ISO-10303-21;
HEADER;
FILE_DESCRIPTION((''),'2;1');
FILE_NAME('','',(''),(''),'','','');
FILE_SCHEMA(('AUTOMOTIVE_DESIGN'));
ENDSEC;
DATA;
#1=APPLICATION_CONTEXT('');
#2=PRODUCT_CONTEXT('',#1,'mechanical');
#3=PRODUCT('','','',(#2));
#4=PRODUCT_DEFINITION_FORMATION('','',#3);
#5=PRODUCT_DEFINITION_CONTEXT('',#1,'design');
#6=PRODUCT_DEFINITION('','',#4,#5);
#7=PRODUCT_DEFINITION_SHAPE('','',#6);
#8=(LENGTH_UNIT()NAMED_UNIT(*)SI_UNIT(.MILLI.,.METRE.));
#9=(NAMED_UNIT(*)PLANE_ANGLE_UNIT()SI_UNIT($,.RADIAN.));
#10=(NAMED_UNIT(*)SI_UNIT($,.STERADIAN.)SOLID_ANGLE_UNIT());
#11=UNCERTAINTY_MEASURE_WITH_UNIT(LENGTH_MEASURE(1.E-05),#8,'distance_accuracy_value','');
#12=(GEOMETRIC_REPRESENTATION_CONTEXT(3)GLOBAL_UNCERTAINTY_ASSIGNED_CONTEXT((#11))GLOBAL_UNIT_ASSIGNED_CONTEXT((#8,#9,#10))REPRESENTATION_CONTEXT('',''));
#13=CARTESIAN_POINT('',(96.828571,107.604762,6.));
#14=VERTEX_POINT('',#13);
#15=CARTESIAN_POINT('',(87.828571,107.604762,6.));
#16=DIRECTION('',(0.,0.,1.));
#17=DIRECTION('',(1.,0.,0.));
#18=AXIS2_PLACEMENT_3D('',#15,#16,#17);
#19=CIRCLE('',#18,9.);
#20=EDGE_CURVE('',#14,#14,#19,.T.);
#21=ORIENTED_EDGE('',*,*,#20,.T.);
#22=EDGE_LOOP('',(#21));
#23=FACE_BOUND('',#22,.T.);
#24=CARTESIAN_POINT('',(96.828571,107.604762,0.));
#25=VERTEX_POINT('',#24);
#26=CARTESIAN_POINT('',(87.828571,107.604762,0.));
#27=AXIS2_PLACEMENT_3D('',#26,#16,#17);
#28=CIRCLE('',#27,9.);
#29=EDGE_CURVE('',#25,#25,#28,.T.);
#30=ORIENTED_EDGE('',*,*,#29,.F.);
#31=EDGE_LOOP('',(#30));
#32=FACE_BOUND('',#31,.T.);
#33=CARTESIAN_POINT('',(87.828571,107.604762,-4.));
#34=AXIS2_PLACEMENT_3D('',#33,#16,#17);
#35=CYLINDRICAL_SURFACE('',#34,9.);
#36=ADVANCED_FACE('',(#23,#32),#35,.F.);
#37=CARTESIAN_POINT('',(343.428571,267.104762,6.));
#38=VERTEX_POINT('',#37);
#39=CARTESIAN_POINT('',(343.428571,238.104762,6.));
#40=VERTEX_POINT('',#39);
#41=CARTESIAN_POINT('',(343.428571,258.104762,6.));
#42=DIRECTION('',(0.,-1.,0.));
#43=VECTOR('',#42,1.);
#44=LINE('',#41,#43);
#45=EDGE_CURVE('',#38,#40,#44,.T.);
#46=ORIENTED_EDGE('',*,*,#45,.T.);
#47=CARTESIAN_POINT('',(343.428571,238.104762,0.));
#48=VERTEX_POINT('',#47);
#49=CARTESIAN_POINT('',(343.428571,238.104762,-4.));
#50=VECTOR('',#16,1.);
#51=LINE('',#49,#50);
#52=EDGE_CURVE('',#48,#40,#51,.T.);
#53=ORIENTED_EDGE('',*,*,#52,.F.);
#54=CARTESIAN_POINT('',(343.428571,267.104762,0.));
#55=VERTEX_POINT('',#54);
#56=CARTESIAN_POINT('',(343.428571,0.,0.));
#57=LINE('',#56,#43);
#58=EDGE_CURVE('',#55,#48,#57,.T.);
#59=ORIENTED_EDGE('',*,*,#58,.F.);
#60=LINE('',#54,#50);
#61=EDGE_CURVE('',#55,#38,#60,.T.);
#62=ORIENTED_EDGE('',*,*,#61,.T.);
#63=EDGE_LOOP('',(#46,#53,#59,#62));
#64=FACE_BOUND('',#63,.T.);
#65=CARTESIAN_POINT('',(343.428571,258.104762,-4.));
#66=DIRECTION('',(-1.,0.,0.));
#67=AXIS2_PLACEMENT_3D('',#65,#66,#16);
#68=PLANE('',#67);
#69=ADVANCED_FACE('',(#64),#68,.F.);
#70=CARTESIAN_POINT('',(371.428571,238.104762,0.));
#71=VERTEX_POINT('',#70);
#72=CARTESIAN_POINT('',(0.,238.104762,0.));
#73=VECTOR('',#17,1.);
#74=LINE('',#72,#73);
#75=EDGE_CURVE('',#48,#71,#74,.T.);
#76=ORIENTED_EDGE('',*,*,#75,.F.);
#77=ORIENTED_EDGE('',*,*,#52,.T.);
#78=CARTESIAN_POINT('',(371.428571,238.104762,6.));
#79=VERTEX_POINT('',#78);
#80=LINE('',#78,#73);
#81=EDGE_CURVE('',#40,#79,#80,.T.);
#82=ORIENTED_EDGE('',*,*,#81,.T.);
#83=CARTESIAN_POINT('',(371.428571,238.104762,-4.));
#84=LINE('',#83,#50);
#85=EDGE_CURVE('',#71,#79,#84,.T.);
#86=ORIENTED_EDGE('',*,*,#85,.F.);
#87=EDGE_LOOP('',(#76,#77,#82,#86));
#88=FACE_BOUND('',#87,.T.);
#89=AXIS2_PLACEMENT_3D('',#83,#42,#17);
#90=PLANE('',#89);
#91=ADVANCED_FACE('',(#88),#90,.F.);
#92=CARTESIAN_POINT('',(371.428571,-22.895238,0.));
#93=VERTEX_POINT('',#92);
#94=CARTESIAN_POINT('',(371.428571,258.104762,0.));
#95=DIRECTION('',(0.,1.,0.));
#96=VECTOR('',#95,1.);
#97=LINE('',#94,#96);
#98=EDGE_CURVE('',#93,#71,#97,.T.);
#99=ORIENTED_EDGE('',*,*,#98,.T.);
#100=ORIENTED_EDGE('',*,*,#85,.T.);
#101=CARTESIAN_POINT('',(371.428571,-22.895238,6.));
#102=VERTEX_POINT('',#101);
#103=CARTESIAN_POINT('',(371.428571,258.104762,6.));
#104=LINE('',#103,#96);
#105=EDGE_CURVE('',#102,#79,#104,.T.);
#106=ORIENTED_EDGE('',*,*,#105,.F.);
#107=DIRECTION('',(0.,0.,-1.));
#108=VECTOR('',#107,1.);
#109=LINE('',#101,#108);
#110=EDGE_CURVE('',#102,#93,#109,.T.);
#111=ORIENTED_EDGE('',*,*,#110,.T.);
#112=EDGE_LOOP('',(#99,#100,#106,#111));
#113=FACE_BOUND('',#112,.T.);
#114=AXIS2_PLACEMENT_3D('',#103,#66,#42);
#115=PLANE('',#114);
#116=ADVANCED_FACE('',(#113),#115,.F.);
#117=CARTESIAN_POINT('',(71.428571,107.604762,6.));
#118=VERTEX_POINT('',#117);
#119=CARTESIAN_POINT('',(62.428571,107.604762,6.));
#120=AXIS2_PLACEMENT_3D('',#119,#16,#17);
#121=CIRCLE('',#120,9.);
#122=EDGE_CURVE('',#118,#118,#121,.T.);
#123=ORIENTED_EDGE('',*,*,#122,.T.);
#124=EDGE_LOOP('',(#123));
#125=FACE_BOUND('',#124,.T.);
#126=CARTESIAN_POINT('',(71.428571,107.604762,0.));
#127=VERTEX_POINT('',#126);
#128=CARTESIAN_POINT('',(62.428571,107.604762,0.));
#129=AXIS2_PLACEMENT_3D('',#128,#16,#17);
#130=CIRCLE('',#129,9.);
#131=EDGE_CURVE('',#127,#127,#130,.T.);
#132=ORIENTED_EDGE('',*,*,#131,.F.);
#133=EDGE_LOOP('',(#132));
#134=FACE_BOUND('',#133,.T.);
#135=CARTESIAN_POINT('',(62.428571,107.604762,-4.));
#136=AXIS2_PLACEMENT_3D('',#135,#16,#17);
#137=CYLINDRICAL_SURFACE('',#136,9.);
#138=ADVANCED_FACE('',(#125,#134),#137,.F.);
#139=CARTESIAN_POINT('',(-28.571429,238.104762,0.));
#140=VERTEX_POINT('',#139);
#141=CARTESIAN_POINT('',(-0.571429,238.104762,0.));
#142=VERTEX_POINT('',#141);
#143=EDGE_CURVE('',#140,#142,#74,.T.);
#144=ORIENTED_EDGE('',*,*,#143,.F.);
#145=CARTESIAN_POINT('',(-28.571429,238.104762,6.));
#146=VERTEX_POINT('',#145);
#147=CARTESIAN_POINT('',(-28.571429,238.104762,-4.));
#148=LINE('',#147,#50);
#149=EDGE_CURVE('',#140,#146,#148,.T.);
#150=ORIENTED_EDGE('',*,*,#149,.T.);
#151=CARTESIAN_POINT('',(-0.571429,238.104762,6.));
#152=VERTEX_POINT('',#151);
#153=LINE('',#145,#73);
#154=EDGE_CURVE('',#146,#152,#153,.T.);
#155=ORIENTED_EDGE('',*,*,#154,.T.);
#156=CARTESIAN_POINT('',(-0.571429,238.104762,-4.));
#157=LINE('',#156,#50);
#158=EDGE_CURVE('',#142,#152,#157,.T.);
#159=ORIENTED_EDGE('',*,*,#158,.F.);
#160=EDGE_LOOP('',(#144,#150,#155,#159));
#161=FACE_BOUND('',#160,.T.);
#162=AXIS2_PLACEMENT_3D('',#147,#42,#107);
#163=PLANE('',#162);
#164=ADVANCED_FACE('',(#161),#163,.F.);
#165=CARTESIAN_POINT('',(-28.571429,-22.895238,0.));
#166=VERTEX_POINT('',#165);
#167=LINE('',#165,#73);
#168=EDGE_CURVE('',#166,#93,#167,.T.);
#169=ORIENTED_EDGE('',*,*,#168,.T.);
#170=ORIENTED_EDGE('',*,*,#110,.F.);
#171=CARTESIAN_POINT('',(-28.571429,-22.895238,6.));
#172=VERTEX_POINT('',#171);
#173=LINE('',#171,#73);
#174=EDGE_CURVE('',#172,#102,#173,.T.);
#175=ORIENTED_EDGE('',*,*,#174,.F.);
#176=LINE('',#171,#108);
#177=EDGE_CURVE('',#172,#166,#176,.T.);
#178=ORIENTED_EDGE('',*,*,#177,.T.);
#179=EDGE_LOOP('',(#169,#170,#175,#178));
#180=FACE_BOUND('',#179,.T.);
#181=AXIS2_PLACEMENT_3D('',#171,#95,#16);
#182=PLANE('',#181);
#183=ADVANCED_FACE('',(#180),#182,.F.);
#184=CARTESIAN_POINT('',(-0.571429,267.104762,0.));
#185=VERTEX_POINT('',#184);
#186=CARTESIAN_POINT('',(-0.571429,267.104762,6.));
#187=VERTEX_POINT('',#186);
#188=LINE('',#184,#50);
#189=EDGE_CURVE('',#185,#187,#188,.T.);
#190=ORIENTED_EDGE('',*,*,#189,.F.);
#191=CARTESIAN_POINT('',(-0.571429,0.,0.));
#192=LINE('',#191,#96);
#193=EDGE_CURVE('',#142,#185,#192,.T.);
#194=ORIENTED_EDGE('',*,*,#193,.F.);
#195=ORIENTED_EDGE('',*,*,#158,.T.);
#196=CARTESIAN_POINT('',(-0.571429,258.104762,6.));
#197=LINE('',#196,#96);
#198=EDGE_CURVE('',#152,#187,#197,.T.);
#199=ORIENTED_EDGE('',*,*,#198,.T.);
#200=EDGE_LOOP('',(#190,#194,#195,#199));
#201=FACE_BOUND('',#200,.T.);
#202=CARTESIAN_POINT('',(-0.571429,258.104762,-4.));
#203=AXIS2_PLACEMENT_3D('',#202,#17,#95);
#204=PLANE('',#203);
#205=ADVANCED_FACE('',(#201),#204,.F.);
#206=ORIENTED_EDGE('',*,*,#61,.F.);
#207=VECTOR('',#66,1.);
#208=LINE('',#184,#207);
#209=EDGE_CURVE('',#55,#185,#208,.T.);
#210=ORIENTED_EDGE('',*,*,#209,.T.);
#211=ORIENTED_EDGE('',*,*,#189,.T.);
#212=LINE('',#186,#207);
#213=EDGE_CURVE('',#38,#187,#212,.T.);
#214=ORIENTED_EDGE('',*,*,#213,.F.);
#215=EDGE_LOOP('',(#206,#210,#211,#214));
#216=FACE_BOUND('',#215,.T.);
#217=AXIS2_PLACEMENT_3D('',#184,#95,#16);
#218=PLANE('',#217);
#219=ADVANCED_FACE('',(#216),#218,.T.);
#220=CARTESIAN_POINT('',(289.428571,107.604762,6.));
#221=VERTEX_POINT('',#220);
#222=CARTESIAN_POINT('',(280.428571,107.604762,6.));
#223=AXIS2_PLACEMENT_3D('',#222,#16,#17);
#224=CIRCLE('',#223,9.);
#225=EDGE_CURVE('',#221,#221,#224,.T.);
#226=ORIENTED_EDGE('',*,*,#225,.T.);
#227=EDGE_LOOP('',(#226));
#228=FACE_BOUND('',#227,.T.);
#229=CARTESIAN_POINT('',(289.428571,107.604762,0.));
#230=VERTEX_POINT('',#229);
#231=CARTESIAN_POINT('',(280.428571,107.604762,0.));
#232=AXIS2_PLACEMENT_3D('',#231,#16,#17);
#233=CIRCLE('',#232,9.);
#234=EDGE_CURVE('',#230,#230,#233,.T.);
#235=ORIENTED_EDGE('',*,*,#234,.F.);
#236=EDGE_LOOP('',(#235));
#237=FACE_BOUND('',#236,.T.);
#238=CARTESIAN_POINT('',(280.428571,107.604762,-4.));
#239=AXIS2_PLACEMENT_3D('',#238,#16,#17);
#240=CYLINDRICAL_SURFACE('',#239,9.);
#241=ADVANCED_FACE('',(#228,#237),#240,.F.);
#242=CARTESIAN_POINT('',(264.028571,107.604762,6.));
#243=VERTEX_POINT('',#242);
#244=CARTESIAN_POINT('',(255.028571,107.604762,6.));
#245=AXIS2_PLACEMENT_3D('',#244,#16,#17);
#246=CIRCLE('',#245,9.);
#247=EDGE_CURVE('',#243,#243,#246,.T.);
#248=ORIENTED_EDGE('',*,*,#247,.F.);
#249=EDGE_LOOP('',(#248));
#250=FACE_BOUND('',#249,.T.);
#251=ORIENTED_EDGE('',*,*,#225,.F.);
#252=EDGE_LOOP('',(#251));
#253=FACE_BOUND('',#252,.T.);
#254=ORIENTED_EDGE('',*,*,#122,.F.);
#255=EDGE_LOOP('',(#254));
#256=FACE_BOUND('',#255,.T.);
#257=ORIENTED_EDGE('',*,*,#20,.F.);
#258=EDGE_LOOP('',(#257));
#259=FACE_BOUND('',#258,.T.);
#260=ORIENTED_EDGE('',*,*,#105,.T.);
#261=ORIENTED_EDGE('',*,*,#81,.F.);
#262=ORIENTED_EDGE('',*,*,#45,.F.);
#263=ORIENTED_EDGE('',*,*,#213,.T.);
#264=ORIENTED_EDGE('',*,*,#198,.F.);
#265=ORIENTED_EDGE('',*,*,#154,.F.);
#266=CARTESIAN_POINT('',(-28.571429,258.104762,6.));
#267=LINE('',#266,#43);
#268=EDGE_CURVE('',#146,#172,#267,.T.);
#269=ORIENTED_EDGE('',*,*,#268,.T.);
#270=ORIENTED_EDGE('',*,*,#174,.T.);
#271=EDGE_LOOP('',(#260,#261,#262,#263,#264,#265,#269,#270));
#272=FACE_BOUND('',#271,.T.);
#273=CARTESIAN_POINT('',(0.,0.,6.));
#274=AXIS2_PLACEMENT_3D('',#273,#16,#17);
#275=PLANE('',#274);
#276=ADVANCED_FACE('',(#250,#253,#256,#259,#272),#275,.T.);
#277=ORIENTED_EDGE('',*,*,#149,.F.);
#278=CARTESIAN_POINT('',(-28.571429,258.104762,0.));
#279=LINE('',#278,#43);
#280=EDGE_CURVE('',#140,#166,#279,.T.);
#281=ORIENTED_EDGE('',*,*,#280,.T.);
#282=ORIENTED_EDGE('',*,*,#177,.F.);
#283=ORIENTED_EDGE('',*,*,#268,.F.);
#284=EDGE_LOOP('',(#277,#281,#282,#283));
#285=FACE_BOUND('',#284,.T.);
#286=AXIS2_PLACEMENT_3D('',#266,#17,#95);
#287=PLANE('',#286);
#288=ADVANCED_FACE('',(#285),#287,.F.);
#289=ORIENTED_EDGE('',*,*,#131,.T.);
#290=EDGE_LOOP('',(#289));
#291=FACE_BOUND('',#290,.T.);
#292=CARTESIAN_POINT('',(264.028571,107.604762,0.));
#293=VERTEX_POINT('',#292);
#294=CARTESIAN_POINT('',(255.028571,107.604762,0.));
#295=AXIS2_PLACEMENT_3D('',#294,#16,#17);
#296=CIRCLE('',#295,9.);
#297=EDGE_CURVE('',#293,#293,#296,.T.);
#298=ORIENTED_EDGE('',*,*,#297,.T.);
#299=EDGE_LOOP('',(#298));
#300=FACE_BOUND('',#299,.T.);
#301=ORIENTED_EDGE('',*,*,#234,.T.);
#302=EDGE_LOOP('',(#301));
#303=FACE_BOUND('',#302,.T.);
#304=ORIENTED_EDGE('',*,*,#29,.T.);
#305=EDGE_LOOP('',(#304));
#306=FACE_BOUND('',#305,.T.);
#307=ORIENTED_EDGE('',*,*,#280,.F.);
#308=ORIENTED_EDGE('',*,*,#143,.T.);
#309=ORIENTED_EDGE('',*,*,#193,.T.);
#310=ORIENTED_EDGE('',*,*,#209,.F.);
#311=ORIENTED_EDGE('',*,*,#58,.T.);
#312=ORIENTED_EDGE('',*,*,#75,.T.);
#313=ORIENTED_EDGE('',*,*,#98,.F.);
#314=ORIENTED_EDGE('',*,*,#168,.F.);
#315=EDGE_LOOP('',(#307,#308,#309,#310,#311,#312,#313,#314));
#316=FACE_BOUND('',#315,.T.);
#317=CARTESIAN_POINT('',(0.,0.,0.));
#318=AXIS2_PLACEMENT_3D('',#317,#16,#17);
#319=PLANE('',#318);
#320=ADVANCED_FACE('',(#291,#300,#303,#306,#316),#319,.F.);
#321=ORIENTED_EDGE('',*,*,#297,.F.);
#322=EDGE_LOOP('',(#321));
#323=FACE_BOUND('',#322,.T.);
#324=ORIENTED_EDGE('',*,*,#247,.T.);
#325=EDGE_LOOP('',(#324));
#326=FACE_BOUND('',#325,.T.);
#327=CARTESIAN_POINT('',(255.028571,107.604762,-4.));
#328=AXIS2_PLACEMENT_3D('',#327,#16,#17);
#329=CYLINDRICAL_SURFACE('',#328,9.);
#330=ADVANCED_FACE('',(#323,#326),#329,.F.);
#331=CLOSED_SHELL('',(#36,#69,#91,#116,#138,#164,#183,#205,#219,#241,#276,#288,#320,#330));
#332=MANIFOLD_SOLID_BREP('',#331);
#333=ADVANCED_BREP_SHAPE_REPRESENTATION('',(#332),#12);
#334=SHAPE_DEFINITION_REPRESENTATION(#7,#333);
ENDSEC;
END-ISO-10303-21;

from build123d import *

# Parameters (mm, degrees)
SKETCH1_W           = 400
SKETCH1_H           = 281
BOSS_EXTRUDE1_DEPTH = 6
SKETCH2_W           = 28
SKETCH2_H           = 20
CUT_EXTRUDE1_DEPTH  = 10
SKETCH3_W           = 344
SKETCH3_H           = 9
BOSS_EXTRUDE2_DEPTH = 6
SKETCH4_R           = 9
CUT_EXTRUDE2_DEPTH  = 10


with BuildPart() as part:
    # Sketch1 → Boss-Extrude1 (new body)
    with BuildSketch(Plane.XY):
        with Locations((171.428571429, 117.604761905)):
            Rectangle(SKETCH1_W, SKETCH1_H)
    extrude(amount=BOSS_EXTRUDE1_DEPTH)

    # Sketch2 → Cut-Extrude1 (cut)
    with BuildSketch(Plane.XY.offset(6)):
        with Locations((-14.571428571, 248.104761905)):
            Rectangle(SKETCH2_W, SKETCH2_H)
        with Locations((357.428571429, 248.104761905)):
            Rectangle(SKETCH2_W, SKETCH2_H)
    extrude(amount=-CUT_EXTRUDE1_DEPTH, mode=Mode.SUBTRACT)

    # Sketch3 → Boss-Extrude2 (add)
    with BuildSketch(Plane.XY.offset(6)):
        with Locations((171.428571429, 262.604761905)):
            Rectangle(SKETCH3_W, SKETCH3_H)
    extrude(amount=-BOSS_EXTRUDE2_DEPTH)

    # Sketch4 → Cut-Extrude2 (cut)
    with BuildSketch(Plane.XY.offset(6)):
        with Locations((62.428571429, 107.604761905)):
            Circle(SKETCH4_R)
        with Locations((87.828571429, 107.604761905)):
            Circle(SKETCH4_R)
        with Locations((255.028571429, 107.604761905)):
            Circle(SKETCH4_R)
        with Locations((280.428571429, 107.604761905)):
            Circle(SKETCH4_R)
    extrude(amount=-CUT_EXTRUDE2_DEPTH, mode=Mode.SUBTRACT)


solid = part.part
